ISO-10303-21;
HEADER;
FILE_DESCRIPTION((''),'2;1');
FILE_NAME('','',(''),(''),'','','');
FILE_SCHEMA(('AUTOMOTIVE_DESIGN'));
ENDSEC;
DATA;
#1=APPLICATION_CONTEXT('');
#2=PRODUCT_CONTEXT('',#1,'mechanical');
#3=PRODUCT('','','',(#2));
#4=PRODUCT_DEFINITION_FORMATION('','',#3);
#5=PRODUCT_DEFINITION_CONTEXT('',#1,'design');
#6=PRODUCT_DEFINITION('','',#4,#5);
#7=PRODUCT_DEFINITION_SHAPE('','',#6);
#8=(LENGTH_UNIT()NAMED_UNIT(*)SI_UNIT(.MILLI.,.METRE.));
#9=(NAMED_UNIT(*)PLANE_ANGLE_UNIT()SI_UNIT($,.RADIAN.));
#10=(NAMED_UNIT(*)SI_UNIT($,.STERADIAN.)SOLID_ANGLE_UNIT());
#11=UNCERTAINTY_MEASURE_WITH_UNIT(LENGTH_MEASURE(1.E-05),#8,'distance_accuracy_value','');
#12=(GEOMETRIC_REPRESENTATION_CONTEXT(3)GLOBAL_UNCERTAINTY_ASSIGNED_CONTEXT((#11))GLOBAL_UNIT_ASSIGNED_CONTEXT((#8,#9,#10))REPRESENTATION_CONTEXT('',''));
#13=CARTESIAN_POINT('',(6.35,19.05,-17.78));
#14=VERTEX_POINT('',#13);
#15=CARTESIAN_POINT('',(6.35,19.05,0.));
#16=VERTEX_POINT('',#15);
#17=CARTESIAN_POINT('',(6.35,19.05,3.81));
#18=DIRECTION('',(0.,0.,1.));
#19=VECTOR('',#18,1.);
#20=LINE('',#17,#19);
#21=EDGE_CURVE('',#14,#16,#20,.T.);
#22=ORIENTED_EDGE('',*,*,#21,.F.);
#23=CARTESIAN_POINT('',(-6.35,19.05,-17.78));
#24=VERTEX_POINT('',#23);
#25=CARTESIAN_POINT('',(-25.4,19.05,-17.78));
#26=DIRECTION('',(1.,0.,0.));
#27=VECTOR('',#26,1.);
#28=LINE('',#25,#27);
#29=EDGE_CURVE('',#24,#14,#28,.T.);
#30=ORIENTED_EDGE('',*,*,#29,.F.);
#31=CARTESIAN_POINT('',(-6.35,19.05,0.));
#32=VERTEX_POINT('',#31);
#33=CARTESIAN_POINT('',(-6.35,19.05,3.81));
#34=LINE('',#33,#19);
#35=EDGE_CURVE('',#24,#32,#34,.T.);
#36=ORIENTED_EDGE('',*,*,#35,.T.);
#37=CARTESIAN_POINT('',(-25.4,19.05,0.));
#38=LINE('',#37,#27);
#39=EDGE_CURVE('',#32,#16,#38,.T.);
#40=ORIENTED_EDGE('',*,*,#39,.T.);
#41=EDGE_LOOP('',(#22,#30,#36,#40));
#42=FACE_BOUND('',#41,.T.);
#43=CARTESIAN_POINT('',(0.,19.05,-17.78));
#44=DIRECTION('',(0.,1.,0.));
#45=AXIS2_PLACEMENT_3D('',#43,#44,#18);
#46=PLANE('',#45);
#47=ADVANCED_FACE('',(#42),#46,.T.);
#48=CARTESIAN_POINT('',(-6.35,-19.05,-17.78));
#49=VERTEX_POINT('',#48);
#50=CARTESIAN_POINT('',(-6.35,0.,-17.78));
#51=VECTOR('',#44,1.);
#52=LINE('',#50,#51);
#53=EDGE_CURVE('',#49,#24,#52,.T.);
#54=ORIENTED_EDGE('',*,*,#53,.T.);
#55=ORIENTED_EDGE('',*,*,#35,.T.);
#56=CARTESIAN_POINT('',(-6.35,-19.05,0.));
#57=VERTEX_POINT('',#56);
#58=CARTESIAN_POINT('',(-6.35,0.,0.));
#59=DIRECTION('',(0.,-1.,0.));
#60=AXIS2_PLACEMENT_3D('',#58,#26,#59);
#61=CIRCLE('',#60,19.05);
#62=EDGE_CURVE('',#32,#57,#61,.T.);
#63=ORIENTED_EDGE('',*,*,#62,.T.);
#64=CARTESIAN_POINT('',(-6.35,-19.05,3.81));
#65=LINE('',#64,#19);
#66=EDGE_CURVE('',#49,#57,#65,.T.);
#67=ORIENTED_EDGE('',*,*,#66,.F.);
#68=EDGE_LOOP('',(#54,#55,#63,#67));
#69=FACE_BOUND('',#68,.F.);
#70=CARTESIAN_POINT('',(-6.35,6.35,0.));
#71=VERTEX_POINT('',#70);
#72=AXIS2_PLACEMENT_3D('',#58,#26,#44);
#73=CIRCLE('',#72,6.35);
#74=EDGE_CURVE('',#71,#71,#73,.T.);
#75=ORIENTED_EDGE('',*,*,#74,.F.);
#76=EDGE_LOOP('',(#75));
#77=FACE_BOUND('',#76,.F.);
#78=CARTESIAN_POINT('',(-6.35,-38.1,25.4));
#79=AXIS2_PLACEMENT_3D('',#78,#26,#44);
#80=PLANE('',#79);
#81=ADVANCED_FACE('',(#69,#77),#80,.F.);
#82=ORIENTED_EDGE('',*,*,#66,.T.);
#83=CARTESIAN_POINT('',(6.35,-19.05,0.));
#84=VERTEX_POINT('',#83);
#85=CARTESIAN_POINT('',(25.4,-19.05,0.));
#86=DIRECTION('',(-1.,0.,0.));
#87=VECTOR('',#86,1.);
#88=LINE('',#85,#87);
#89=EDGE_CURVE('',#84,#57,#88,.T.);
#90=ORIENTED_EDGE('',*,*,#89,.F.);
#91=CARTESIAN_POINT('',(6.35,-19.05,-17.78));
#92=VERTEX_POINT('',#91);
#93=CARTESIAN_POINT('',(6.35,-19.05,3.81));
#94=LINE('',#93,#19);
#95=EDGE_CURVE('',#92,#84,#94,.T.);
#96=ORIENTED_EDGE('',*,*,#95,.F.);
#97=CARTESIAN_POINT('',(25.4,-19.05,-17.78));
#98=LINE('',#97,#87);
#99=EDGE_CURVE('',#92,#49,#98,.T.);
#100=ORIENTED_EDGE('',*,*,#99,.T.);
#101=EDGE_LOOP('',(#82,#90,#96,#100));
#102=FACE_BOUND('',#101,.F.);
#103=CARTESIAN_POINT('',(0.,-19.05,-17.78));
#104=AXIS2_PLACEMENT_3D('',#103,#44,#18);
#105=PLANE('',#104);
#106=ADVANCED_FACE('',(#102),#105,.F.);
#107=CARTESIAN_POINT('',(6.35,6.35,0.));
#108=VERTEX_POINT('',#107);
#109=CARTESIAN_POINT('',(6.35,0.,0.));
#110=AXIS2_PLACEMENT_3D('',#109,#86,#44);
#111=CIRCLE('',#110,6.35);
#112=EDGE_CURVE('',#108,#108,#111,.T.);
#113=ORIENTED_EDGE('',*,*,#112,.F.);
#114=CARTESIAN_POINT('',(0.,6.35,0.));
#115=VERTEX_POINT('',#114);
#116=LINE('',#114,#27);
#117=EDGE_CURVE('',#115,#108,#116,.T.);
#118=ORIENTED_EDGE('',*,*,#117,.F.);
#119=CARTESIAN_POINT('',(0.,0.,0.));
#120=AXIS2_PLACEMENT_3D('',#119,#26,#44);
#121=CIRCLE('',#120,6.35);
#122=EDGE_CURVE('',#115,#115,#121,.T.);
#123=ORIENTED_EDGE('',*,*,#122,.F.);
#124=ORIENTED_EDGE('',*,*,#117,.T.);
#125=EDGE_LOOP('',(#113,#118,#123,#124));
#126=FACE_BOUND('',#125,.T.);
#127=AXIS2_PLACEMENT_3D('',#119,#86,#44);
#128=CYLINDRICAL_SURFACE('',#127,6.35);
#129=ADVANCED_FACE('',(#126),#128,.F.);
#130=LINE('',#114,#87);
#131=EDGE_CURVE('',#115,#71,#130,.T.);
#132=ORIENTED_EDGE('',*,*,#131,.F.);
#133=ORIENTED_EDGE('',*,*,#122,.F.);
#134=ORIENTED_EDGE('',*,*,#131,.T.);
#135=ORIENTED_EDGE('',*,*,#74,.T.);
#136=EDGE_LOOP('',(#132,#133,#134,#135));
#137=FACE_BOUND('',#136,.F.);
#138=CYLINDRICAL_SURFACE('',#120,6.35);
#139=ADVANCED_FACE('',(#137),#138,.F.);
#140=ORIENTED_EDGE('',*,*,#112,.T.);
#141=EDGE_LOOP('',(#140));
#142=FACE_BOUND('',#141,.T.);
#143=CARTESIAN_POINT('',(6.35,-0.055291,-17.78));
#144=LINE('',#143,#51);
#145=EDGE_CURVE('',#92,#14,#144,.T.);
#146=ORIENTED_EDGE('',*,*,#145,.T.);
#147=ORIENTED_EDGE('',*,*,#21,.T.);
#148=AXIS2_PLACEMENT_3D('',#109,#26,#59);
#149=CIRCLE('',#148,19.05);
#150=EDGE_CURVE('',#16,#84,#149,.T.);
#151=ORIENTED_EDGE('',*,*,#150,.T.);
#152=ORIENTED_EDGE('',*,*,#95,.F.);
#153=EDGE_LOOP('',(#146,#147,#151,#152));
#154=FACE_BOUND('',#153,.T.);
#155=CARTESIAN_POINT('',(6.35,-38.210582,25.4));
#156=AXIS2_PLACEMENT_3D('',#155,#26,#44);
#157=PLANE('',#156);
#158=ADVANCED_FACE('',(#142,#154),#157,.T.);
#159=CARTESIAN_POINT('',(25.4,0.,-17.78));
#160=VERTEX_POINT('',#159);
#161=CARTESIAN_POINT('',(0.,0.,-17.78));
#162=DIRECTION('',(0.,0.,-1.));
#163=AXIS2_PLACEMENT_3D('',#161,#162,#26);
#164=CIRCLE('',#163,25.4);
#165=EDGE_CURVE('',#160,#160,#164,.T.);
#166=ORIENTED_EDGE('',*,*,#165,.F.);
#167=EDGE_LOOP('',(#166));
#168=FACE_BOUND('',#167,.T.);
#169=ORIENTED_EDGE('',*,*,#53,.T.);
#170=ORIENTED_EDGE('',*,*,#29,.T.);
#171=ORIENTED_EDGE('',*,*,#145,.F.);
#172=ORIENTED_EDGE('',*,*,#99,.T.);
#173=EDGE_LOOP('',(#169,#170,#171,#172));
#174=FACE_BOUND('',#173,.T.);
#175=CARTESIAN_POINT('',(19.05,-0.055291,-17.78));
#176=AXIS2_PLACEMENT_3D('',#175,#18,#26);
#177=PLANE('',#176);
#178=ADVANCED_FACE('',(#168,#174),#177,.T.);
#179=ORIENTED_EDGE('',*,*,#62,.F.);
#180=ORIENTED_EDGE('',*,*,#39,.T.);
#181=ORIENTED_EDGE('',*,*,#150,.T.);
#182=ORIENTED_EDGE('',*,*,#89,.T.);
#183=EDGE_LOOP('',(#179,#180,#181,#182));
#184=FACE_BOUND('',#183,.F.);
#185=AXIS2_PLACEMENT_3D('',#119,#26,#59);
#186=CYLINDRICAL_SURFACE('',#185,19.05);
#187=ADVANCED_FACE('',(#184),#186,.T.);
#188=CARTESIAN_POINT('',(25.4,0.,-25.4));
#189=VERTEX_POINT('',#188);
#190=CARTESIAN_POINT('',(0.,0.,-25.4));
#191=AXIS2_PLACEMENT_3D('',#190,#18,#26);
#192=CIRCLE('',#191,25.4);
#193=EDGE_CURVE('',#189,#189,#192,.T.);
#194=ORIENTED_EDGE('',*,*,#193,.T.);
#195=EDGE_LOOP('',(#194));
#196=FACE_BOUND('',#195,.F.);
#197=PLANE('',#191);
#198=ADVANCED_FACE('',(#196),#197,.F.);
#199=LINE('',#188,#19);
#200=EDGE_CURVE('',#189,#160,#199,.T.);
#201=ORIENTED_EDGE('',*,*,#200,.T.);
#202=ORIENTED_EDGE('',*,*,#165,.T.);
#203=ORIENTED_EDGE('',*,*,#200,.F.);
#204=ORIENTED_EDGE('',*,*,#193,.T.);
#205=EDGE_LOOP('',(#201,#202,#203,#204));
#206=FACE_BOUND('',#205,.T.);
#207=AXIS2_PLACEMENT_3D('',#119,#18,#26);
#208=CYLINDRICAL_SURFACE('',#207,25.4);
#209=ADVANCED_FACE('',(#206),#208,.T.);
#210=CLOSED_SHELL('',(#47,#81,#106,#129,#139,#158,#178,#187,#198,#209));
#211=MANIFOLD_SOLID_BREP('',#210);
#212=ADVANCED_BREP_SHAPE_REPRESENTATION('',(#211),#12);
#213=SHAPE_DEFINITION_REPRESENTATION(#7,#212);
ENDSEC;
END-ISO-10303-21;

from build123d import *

# Parameters (mm, degrees)
F0_R     = 25.4
F1_DEPTH = 25.4
F2_W     = 25.4
F2_H     = 76.2
F2_H_2   = 76.310582
F3_DEPTH = 43.18
F4_R     = 6.35
F4_W     = 19.05
F4_H     = 17.78
F5_DEPTH = 25.4


with BuildPart() as f1:
    # F0 (on Top) → F1 (new body, symmetric)
    with BuildSketch(Plane.XY):
        Circle(F0_R)
    extrude(amount=F1_DEPTH, both=True)

    # F2 (on face) → F3 (cut)
    with BuildSketch(Plane.XY.offset(25.4)):
        with Locations((-19.05, 0)):
            Rectangle(F2_W, F2_H)
        with Locations((19.05, -0.055291)):
            Rectangle(F2_W, F2_H_2)
    extrude(amount=-F3_DEPTH, mode=Mode.SUBTRACT)

    # F4 (on Right) → F5 (cut, symmetric)
    with BuildSketch(Plane.YZ):
        Circle(F4_R)
        with BuildLine():
            ThreePointArc((-19.05, 0), (0, 19.05), (19.05, 0))
            Line((19.05, 0), (38.1, 0))
            Line((38.1, 0), (38.1, 38.1))
            Line((38.1, 38.1), (-38.1, 38.1))
            Line((-38.1, 38.1), (-38.1, 0))
            Line((-38.1, 0), (-19.05, 0))
        make_face()
        with Locations((28.575, -8.89)):
            Rectangle(F4_W, F4_H)
        with Locations((-28.575, -8.89)):
            Rectangle(F4_W, F4_H)
    extrude(amount=F5_DEPTH, both=True, mode=Mode.SUBTRACT)


solid = f1.part
